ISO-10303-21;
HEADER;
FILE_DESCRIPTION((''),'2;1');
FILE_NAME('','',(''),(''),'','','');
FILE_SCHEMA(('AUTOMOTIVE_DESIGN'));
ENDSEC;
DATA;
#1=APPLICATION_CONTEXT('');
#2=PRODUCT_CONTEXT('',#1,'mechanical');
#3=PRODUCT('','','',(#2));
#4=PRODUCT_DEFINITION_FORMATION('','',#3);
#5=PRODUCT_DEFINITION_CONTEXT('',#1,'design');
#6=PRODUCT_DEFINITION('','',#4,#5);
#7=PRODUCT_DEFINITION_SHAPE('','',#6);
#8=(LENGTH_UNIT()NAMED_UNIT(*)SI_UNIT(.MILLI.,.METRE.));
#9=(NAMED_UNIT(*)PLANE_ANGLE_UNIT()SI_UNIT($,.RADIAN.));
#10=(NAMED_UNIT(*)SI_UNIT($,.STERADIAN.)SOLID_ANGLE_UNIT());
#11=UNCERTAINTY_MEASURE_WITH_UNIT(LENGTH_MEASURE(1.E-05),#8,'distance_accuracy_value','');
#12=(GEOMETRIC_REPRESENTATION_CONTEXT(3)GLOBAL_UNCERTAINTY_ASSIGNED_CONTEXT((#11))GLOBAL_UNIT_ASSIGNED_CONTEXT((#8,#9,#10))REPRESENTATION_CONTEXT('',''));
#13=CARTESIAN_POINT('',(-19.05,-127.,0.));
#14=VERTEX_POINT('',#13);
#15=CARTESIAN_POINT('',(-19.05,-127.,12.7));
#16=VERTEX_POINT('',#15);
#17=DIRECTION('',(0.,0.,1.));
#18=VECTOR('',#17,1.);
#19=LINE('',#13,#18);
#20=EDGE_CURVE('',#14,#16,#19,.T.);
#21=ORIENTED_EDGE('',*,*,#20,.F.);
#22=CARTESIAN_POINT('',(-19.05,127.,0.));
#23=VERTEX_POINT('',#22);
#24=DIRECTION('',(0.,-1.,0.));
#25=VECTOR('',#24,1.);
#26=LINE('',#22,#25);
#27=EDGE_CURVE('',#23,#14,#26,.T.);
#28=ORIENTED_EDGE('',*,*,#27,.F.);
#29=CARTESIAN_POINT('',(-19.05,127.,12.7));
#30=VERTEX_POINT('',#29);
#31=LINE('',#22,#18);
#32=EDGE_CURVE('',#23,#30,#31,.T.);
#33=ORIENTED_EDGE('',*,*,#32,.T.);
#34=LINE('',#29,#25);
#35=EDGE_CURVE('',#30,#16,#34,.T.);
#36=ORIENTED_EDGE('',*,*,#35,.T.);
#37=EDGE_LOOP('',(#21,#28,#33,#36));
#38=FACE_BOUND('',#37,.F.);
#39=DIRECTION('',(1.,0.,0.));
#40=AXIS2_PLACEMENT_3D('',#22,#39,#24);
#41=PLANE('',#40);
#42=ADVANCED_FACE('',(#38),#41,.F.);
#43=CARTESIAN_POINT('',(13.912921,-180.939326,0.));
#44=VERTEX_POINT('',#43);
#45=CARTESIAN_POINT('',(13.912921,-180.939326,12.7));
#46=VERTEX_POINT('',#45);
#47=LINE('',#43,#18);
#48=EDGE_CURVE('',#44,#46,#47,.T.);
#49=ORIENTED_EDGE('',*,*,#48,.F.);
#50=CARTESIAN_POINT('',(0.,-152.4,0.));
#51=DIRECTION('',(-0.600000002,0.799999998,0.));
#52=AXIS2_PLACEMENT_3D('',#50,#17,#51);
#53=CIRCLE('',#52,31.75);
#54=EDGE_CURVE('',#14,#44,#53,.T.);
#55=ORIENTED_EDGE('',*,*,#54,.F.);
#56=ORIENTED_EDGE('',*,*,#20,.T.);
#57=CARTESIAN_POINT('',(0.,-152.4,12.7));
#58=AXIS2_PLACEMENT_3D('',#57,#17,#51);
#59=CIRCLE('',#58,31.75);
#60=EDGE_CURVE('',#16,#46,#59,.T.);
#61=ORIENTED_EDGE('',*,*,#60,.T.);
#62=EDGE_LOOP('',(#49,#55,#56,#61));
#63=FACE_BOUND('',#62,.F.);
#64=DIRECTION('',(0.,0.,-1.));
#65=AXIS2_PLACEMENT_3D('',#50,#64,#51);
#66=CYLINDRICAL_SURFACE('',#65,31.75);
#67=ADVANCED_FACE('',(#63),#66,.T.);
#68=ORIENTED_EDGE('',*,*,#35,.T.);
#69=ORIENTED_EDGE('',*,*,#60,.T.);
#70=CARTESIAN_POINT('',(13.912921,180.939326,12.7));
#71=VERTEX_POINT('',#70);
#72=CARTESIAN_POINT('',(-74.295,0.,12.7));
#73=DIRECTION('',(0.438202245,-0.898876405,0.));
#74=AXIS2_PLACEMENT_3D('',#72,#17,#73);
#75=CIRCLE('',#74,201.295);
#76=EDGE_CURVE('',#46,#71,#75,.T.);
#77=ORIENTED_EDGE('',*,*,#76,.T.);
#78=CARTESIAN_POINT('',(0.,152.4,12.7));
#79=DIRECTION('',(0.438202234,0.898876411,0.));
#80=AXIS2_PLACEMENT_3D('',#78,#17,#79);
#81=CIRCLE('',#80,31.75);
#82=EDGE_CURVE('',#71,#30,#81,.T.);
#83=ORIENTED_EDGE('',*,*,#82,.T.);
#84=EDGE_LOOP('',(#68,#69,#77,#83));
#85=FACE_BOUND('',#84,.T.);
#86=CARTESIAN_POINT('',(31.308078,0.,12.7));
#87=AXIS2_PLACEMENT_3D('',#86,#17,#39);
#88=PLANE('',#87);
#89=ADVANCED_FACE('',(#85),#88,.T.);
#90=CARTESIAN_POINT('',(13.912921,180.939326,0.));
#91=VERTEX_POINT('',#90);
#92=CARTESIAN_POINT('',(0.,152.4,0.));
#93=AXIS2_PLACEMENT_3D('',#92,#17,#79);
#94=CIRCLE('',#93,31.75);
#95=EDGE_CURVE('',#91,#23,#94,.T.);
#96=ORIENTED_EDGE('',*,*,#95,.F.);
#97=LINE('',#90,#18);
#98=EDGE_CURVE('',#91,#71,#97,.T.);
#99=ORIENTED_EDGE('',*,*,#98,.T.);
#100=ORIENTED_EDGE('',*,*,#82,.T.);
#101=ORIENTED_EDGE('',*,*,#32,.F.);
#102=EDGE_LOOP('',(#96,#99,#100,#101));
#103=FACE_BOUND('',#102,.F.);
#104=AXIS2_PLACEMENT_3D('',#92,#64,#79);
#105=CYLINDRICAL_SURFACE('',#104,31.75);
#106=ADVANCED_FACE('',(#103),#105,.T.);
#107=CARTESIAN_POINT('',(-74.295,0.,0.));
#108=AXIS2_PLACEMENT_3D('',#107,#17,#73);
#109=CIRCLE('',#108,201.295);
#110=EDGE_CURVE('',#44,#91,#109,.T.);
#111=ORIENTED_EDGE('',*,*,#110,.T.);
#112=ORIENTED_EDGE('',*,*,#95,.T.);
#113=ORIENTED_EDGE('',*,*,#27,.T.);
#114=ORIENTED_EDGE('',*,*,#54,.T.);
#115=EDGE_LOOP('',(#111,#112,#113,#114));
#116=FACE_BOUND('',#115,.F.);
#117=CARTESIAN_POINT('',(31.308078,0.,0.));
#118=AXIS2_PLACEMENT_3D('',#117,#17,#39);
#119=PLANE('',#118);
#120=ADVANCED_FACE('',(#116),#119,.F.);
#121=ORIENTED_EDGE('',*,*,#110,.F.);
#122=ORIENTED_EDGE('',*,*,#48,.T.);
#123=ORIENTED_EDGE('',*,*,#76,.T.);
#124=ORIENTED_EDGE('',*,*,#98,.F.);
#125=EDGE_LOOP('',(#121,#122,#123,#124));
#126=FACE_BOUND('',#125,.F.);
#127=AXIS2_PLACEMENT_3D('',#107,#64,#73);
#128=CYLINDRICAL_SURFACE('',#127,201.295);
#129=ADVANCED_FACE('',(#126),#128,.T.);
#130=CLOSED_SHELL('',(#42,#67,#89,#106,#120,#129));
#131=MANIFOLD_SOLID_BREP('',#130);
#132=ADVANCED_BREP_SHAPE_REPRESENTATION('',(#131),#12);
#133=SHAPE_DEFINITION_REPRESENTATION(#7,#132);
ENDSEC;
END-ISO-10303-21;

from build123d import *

# Parameters (mm, degrees)
F1_DEPTH = 12.7


with BuildPart() as f1:
    # F0 (on Top) → F1 (new body)
    with BuildSketch(Plane.XY):
        with BuildLine():
            ThreePointArc((13.912921, -180.939326), (127, 0), (13.912921, 180.939326))
            ThreePointArc((13.912921, 180.939326), (-27.091698, 168.956038), (-19.05, 127))
            Line((-19.05, 127), (-19.05, -127))
            ThreePointArc((-19.05, -127), (-27.091698, -168.956038), (13.912921, -180.939326))
        make_face()
    extrude(amount=F1_DEPTH)


solid = f1.part
